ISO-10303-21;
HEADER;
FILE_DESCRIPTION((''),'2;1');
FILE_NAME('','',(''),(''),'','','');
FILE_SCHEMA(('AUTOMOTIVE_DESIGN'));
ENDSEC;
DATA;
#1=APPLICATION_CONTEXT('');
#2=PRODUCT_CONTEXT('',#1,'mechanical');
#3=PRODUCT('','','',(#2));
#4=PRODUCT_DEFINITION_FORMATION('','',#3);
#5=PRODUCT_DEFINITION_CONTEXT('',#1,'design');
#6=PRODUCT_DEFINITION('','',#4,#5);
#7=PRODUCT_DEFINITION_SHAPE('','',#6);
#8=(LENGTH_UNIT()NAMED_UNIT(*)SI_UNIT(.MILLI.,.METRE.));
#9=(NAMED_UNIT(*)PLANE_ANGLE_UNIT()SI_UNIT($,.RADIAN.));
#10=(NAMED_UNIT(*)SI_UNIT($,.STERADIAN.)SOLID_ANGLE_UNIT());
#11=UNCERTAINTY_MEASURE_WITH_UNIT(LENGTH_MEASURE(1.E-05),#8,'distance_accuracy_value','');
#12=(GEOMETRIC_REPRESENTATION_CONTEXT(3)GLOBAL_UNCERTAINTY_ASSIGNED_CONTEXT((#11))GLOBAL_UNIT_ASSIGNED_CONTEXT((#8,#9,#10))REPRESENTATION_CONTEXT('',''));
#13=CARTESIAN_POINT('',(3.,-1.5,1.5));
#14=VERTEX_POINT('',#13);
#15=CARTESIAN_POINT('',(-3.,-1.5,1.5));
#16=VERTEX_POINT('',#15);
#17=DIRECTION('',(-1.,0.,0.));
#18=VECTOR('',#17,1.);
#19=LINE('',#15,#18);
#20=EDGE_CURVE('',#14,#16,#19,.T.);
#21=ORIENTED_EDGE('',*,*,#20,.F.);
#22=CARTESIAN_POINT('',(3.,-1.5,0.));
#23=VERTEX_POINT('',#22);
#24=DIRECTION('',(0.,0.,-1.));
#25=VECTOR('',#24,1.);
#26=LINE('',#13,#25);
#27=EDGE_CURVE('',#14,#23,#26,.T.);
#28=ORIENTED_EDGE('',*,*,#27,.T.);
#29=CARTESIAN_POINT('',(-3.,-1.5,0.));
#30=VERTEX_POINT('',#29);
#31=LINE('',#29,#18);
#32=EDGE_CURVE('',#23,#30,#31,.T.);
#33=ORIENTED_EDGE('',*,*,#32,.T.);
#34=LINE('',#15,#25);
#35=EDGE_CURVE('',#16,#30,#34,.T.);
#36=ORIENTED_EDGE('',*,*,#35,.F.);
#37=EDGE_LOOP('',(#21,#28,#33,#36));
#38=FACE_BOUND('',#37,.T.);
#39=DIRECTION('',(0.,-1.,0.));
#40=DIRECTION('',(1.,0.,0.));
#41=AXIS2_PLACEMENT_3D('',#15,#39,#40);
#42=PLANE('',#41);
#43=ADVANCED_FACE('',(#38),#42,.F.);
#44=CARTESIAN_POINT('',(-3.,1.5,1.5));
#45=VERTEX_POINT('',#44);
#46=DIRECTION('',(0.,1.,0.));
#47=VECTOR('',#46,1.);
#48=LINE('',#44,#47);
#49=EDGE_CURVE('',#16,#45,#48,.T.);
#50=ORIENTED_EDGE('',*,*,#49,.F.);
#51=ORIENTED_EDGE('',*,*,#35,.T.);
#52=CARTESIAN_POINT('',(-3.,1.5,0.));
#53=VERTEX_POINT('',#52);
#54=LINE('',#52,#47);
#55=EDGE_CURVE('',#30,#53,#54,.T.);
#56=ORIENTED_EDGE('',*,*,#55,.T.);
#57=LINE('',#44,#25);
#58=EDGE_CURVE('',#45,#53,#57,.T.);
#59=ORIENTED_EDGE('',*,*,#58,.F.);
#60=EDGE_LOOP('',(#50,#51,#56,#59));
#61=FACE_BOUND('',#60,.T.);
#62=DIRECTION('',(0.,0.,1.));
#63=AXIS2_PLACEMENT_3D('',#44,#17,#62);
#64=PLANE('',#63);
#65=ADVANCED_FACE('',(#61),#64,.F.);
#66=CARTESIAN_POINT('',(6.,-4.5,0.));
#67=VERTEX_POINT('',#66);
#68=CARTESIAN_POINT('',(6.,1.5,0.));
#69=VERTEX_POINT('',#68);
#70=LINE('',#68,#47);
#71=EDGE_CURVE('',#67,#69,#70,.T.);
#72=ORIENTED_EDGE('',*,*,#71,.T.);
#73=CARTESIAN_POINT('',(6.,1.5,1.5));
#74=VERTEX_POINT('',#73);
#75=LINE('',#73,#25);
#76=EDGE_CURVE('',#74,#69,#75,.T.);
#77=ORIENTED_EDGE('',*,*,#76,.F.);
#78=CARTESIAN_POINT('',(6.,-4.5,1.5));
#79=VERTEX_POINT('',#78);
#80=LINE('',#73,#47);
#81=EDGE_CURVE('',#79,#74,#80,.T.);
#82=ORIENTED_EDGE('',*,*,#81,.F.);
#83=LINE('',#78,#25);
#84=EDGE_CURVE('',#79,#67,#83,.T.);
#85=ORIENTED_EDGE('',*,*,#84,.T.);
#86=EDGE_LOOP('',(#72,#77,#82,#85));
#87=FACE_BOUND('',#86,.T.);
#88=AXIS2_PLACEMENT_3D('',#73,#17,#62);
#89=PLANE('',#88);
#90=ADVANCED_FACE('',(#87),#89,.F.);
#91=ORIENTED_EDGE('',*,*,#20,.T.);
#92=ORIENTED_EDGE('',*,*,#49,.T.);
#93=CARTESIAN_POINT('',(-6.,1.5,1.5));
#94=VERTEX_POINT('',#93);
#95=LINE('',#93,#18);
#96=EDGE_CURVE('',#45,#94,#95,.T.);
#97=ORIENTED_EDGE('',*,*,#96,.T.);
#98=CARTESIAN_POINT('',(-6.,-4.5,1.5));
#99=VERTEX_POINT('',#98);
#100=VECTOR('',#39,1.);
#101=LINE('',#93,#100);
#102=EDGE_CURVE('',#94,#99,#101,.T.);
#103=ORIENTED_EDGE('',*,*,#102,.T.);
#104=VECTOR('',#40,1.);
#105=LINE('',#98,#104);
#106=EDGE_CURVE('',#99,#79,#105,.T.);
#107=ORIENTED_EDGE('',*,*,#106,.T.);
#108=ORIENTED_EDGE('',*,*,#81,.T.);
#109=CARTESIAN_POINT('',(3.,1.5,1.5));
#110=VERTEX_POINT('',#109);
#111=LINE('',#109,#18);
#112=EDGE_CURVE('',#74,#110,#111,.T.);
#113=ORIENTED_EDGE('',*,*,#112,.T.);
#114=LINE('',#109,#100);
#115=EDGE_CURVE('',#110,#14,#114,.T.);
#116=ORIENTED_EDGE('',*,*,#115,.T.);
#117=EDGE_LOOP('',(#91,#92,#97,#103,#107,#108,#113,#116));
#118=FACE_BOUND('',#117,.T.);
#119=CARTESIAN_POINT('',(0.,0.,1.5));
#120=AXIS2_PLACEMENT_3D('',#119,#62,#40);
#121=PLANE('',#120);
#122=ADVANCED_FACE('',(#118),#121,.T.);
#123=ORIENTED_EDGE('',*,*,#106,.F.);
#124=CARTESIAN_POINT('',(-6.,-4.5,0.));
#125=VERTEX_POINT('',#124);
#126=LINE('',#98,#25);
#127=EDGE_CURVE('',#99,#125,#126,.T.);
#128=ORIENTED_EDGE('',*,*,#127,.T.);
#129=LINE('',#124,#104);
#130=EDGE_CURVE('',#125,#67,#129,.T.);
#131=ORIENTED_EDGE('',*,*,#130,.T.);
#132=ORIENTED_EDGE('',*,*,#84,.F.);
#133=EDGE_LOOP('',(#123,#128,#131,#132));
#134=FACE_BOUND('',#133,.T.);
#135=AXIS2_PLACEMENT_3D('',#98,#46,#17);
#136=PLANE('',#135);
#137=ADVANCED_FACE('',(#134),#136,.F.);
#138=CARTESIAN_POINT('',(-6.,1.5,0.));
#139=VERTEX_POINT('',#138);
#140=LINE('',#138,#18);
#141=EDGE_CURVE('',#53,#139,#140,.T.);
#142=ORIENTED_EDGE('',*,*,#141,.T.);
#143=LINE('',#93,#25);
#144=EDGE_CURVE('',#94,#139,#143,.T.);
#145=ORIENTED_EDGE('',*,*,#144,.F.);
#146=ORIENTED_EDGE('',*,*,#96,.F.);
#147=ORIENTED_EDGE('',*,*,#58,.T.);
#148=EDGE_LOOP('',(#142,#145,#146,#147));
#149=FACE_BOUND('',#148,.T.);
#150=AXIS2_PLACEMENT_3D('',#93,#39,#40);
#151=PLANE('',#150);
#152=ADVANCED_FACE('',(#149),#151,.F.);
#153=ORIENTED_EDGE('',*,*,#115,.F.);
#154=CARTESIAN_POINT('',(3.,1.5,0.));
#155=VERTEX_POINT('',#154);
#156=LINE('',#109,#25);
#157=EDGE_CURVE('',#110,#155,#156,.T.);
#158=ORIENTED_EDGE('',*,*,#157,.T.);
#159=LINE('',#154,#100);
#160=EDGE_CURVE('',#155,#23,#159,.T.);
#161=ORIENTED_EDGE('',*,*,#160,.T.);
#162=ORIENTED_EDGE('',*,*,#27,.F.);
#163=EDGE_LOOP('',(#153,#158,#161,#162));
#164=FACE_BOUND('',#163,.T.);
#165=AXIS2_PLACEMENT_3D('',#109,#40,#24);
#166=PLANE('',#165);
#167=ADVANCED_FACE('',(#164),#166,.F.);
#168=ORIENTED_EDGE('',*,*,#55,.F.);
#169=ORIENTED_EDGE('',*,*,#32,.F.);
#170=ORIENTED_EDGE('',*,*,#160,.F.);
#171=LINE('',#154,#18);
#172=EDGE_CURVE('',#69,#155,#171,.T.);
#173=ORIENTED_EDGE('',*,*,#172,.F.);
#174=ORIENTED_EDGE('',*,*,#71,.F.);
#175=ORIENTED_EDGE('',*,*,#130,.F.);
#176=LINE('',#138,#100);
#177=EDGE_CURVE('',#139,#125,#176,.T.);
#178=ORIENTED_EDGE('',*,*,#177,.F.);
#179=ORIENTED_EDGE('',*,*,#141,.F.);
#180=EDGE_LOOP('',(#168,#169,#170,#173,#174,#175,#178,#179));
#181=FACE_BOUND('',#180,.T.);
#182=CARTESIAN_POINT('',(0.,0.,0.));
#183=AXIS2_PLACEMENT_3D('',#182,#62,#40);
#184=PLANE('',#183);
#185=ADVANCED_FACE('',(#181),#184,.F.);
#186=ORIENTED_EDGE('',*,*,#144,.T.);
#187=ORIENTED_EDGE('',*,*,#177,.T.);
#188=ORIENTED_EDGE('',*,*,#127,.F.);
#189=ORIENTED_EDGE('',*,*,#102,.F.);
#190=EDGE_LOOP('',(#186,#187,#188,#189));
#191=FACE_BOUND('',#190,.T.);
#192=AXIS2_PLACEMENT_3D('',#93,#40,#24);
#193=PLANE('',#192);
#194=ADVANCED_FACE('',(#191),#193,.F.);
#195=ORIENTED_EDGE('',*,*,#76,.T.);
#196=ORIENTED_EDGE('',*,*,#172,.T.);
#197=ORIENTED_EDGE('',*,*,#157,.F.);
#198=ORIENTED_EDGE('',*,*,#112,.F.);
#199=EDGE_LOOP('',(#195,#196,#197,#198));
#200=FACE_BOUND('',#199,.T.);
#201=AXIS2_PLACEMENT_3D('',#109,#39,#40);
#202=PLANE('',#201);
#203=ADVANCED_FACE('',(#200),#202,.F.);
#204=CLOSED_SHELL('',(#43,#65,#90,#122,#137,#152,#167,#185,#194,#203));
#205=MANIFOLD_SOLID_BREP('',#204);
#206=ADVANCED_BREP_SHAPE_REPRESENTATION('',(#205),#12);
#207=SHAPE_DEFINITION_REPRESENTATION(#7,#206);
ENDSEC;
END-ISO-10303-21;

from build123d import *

# Parameters (mm, degrees)
BOSS_EXTRUDE1_DEPTH = 1.5


with BuildPart() as part:
    # Sketch1 → Boss-Extrude1 (new body)
    with BuildSketch(Plane.XY):
        Polygon((-3, 1.5), (-3, -1.5), (3, -1.5), (3, 1.5), (6, 1.5), (6, -4.5), (-6, -4.5), (-6, 1.5), align=None)
    extrude(amount=BOSS_EXTRUDE1_DEPTH)


solid = part.part
